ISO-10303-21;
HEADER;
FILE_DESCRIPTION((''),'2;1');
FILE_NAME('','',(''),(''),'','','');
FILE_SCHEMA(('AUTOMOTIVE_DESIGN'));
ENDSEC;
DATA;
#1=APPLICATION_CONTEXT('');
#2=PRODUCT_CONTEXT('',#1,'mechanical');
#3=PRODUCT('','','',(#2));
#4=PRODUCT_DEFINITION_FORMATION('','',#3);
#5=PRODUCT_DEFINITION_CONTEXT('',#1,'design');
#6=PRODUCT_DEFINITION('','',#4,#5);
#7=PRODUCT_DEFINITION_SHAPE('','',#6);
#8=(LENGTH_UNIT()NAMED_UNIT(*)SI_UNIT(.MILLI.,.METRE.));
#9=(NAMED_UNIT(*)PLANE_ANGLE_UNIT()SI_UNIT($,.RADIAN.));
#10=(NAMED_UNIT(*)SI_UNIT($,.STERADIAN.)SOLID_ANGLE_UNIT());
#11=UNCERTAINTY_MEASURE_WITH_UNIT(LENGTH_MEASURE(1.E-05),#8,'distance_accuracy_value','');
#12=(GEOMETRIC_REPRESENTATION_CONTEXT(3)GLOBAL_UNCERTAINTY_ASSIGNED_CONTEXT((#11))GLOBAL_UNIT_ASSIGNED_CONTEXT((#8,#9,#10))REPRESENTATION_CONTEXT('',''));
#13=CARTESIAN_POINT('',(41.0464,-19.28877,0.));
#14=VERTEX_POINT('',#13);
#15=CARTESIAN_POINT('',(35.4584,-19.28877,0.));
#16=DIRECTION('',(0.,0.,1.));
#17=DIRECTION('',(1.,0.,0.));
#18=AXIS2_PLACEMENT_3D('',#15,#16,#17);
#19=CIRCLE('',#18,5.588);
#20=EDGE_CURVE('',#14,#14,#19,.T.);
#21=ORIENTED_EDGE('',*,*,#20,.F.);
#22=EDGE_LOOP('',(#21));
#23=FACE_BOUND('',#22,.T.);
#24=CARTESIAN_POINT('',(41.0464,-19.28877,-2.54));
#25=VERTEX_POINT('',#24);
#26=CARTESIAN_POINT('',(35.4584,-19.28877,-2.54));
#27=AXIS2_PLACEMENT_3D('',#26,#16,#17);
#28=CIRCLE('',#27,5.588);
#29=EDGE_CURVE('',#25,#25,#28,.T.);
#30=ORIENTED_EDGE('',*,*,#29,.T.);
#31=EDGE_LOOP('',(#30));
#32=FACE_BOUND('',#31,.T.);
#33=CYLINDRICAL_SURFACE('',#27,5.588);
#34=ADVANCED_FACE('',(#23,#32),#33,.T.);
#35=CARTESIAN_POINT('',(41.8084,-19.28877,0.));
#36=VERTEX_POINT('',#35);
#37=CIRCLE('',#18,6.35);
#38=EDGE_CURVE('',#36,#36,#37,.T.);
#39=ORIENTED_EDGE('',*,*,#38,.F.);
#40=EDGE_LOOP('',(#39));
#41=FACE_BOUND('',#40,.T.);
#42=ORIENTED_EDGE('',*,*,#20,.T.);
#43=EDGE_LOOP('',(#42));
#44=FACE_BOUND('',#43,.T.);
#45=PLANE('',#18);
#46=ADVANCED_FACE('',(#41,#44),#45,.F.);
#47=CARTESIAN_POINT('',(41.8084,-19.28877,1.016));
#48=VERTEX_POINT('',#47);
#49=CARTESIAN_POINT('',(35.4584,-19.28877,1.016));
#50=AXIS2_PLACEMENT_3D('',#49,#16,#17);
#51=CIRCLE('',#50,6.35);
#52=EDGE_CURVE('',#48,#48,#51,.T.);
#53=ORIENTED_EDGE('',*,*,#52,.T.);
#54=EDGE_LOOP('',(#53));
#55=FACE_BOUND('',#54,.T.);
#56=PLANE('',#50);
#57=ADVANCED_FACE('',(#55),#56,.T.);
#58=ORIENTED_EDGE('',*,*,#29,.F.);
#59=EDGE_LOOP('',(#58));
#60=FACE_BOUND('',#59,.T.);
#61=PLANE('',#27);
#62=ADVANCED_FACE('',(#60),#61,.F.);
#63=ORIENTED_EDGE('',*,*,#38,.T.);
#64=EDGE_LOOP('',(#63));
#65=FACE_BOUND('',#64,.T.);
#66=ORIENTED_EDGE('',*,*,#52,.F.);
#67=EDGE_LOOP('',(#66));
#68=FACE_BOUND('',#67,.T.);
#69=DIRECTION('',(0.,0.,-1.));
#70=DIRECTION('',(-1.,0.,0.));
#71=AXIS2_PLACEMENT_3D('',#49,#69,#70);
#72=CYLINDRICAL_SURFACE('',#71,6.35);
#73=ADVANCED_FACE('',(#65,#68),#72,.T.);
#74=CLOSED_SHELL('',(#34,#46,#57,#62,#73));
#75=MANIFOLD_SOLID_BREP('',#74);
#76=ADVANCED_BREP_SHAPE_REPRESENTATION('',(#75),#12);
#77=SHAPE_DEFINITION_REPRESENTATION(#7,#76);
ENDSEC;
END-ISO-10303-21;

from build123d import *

# Parameters (mm, degrees)
SKETCH1_R           = 5.588
BOSS_EXTRUDE1_DEPTH = 2.54
SKETCH2_R           = 6.35
BOSS_EXTRUDE2_DEPTH = 1.016


with BuildPart() as part:
    # Sketch1 → Boss-Extrude1 (new body)
    with BuildSketch(Plane.XY):
        with Locations((35.4584, -19.288769968)):
            Circle(SKETCH1_R)
    extrude(amount=-BOSS_EXTRUDE1_DEPTH)

    # Sketch2 → Boss-Extrude2 (add)
    with BuildSketch(Plane.XY):
        with Locations((35.4584, -19.288769968)):
            Circle(SKETCH2_R)
    extrude(amount=BOSS_EXTRUDE2_DEPTH)


solid = part.part
